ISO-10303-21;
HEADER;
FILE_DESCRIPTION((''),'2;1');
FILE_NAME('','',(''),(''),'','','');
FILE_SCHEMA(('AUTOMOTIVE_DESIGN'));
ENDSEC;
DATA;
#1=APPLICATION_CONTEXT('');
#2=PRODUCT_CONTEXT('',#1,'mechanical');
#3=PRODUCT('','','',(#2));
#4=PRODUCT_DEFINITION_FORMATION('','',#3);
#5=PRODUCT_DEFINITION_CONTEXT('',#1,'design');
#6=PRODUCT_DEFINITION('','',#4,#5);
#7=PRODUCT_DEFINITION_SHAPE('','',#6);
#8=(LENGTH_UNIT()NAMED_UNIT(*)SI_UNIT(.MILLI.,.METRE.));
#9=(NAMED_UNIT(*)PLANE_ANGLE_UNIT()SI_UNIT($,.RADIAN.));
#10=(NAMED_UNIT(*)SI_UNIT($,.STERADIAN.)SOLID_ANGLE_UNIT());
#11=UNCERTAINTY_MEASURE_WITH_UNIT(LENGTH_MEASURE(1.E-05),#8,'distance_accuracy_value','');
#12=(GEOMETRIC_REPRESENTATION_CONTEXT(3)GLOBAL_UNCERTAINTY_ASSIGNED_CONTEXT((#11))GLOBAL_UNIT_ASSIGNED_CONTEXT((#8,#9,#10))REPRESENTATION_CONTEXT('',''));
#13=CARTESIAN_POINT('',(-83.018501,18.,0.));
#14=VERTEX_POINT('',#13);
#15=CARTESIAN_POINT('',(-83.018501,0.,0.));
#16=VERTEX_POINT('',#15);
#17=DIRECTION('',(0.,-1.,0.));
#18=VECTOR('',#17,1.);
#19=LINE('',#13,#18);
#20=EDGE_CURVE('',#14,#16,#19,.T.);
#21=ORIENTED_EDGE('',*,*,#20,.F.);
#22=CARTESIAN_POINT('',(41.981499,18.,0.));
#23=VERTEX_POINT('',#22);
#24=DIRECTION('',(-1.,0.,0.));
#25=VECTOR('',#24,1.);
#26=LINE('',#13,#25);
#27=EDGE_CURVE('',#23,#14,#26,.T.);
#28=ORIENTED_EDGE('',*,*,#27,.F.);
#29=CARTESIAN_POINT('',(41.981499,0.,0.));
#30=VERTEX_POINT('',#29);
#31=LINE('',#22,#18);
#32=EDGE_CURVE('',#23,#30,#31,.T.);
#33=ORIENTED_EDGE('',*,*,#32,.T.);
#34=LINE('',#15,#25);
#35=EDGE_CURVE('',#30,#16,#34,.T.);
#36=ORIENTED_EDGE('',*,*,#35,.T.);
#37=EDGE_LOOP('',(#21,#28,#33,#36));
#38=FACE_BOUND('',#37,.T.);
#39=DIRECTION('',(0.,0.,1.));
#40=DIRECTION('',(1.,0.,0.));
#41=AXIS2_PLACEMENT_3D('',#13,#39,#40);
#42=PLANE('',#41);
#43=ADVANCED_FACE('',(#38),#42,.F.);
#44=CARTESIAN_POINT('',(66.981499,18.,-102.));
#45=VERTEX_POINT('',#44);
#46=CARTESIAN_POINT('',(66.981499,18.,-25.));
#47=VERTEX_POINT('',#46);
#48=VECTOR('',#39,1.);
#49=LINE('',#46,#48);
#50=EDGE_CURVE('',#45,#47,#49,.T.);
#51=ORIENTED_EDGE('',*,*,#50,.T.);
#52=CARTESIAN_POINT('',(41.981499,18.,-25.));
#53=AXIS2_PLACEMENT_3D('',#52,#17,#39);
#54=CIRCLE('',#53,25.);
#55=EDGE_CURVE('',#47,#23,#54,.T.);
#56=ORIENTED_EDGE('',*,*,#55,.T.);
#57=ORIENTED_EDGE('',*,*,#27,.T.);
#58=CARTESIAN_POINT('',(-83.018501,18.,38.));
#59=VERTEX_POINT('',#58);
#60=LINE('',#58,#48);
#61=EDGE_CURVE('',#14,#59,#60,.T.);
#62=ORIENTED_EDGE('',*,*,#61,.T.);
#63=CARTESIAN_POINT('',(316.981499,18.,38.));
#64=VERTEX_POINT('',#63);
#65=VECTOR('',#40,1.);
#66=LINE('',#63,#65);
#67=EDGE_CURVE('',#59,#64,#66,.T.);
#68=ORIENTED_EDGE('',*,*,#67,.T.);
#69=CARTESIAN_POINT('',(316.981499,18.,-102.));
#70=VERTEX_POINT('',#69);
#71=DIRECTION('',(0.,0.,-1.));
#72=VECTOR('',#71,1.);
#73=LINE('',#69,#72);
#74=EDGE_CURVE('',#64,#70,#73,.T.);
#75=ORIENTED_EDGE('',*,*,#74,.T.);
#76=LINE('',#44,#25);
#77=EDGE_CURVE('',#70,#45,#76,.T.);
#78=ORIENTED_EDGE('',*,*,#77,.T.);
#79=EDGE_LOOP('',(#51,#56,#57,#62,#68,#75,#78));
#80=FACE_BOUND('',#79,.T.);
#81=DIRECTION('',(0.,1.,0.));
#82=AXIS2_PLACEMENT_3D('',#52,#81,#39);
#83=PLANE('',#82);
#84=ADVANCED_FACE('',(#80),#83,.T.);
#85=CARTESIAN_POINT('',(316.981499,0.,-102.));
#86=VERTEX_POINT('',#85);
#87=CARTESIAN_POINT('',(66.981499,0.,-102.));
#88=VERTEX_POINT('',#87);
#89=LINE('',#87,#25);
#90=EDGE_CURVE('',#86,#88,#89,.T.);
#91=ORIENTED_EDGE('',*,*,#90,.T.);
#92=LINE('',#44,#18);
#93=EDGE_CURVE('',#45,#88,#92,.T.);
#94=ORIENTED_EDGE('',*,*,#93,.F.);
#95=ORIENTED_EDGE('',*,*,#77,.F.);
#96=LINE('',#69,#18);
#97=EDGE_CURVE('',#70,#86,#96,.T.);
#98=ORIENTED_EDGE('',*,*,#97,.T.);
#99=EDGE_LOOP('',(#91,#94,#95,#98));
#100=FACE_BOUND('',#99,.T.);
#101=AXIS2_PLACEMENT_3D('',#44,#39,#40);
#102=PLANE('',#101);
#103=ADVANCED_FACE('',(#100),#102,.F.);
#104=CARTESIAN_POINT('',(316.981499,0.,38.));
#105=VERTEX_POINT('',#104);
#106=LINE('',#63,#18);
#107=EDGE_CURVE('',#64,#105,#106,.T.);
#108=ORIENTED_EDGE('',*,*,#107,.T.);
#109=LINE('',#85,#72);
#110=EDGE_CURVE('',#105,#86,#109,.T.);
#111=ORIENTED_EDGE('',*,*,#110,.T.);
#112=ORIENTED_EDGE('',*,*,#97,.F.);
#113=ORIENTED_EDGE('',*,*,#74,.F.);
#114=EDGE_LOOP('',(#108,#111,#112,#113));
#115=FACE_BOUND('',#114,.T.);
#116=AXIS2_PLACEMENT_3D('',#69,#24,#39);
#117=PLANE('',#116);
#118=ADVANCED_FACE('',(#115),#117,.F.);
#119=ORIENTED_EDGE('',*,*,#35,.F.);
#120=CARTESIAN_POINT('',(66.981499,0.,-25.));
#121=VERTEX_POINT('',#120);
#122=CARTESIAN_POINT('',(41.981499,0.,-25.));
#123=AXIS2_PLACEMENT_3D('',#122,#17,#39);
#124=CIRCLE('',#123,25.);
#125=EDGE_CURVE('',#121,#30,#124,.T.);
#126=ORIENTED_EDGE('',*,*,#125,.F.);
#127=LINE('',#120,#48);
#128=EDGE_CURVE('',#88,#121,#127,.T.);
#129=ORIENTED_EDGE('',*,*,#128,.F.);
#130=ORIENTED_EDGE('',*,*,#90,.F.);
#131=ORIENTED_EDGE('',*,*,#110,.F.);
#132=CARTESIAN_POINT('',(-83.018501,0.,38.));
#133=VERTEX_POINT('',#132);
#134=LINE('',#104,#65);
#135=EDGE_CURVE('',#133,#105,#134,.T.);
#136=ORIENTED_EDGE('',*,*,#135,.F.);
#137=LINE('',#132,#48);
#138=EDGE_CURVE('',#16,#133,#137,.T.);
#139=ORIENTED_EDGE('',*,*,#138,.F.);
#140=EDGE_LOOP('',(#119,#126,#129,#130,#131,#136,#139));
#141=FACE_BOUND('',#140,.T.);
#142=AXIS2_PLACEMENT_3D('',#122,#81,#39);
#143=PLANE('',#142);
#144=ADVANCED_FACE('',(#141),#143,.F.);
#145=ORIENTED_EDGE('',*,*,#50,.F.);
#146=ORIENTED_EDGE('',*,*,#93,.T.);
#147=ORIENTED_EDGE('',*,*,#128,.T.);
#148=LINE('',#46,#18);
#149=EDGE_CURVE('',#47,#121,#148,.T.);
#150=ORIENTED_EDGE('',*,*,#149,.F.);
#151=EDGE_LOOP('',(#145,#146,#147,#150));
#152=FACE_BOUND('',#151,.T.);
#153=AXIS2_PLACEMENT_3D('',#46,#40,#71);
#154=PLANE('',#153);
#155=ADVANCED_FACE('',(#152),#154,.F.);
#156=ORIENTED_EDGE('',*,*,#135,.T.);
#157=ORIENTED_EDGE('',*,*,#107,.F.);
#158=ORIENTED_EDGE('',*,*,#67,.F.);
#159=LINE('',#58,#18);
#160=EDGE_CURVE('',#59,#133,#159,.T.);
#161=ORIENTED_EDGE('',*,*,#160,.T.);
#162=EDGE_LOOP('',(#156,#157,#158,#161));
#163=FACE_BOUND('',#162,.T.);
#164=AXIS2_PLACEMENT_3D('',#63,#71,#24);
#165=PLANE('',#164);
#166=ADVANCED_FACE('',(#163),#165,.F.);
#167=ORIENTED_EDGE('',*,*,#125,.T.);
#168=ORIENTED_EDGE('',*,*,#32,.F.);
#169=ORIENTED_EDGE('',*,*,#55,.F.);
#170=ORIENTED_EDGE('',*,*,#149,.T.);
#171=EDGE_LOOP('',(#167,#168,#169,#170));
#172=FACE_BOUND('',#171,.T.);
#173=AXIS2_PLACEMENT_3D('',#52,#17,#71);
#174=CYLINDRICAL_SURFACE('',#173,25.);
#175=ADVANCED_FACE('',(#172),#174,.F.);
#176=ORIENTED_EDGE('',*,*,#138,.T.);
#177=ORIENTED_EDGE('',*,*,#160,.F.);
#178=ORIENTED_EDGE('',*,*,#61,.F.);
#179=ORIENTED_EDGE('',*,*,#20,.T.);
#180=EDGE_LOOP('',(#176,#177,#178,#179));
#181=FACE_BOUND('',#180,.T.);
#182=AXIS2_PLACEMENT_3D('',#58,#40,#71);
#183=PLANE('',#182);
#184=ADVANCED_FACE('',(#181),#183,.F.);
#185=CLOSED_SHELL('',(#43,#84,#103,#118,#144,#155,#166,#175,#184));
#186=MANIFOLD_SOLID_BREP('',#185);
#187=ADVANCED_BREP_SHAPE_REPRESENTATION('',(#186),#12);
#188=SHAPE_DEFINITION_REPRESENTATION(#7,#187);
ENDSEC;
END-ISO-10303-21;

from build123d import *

# Parameters (mm, degrees)
BOSS_EXTRUDE1_DEPTH = 18


with BuildPart() as part:
    # Sketch1 → Boss-Extrude1 (new body)
    with BuildSketch(Plane(origin=(0, 0, 0), x_dir=(1, 0, 0), z_dir=(0, 1, 0))):
        with BuildLine():
            Line((66.981499187, 102), (316.981499187, 102))
            Line((316.981499187, 102), (316.981499187, -38))
            Line((316.981499187, -38), (-83.018500813, -38))
            Line((-83.018500813, -38), (-83.018500813, 0))
            Line((-83.018500813, 0), (41.981499187, 0))
            ThreePointArc((41.981499187, 0), (59.659168717, 7.32233047), (66.981499187, 25))
            Line((66.981499187, 25), (66.981499187, 102))
        make_face()
    extrude(amount=BOSS_EXTRUDE1_DEPTH)


solid = part.part
